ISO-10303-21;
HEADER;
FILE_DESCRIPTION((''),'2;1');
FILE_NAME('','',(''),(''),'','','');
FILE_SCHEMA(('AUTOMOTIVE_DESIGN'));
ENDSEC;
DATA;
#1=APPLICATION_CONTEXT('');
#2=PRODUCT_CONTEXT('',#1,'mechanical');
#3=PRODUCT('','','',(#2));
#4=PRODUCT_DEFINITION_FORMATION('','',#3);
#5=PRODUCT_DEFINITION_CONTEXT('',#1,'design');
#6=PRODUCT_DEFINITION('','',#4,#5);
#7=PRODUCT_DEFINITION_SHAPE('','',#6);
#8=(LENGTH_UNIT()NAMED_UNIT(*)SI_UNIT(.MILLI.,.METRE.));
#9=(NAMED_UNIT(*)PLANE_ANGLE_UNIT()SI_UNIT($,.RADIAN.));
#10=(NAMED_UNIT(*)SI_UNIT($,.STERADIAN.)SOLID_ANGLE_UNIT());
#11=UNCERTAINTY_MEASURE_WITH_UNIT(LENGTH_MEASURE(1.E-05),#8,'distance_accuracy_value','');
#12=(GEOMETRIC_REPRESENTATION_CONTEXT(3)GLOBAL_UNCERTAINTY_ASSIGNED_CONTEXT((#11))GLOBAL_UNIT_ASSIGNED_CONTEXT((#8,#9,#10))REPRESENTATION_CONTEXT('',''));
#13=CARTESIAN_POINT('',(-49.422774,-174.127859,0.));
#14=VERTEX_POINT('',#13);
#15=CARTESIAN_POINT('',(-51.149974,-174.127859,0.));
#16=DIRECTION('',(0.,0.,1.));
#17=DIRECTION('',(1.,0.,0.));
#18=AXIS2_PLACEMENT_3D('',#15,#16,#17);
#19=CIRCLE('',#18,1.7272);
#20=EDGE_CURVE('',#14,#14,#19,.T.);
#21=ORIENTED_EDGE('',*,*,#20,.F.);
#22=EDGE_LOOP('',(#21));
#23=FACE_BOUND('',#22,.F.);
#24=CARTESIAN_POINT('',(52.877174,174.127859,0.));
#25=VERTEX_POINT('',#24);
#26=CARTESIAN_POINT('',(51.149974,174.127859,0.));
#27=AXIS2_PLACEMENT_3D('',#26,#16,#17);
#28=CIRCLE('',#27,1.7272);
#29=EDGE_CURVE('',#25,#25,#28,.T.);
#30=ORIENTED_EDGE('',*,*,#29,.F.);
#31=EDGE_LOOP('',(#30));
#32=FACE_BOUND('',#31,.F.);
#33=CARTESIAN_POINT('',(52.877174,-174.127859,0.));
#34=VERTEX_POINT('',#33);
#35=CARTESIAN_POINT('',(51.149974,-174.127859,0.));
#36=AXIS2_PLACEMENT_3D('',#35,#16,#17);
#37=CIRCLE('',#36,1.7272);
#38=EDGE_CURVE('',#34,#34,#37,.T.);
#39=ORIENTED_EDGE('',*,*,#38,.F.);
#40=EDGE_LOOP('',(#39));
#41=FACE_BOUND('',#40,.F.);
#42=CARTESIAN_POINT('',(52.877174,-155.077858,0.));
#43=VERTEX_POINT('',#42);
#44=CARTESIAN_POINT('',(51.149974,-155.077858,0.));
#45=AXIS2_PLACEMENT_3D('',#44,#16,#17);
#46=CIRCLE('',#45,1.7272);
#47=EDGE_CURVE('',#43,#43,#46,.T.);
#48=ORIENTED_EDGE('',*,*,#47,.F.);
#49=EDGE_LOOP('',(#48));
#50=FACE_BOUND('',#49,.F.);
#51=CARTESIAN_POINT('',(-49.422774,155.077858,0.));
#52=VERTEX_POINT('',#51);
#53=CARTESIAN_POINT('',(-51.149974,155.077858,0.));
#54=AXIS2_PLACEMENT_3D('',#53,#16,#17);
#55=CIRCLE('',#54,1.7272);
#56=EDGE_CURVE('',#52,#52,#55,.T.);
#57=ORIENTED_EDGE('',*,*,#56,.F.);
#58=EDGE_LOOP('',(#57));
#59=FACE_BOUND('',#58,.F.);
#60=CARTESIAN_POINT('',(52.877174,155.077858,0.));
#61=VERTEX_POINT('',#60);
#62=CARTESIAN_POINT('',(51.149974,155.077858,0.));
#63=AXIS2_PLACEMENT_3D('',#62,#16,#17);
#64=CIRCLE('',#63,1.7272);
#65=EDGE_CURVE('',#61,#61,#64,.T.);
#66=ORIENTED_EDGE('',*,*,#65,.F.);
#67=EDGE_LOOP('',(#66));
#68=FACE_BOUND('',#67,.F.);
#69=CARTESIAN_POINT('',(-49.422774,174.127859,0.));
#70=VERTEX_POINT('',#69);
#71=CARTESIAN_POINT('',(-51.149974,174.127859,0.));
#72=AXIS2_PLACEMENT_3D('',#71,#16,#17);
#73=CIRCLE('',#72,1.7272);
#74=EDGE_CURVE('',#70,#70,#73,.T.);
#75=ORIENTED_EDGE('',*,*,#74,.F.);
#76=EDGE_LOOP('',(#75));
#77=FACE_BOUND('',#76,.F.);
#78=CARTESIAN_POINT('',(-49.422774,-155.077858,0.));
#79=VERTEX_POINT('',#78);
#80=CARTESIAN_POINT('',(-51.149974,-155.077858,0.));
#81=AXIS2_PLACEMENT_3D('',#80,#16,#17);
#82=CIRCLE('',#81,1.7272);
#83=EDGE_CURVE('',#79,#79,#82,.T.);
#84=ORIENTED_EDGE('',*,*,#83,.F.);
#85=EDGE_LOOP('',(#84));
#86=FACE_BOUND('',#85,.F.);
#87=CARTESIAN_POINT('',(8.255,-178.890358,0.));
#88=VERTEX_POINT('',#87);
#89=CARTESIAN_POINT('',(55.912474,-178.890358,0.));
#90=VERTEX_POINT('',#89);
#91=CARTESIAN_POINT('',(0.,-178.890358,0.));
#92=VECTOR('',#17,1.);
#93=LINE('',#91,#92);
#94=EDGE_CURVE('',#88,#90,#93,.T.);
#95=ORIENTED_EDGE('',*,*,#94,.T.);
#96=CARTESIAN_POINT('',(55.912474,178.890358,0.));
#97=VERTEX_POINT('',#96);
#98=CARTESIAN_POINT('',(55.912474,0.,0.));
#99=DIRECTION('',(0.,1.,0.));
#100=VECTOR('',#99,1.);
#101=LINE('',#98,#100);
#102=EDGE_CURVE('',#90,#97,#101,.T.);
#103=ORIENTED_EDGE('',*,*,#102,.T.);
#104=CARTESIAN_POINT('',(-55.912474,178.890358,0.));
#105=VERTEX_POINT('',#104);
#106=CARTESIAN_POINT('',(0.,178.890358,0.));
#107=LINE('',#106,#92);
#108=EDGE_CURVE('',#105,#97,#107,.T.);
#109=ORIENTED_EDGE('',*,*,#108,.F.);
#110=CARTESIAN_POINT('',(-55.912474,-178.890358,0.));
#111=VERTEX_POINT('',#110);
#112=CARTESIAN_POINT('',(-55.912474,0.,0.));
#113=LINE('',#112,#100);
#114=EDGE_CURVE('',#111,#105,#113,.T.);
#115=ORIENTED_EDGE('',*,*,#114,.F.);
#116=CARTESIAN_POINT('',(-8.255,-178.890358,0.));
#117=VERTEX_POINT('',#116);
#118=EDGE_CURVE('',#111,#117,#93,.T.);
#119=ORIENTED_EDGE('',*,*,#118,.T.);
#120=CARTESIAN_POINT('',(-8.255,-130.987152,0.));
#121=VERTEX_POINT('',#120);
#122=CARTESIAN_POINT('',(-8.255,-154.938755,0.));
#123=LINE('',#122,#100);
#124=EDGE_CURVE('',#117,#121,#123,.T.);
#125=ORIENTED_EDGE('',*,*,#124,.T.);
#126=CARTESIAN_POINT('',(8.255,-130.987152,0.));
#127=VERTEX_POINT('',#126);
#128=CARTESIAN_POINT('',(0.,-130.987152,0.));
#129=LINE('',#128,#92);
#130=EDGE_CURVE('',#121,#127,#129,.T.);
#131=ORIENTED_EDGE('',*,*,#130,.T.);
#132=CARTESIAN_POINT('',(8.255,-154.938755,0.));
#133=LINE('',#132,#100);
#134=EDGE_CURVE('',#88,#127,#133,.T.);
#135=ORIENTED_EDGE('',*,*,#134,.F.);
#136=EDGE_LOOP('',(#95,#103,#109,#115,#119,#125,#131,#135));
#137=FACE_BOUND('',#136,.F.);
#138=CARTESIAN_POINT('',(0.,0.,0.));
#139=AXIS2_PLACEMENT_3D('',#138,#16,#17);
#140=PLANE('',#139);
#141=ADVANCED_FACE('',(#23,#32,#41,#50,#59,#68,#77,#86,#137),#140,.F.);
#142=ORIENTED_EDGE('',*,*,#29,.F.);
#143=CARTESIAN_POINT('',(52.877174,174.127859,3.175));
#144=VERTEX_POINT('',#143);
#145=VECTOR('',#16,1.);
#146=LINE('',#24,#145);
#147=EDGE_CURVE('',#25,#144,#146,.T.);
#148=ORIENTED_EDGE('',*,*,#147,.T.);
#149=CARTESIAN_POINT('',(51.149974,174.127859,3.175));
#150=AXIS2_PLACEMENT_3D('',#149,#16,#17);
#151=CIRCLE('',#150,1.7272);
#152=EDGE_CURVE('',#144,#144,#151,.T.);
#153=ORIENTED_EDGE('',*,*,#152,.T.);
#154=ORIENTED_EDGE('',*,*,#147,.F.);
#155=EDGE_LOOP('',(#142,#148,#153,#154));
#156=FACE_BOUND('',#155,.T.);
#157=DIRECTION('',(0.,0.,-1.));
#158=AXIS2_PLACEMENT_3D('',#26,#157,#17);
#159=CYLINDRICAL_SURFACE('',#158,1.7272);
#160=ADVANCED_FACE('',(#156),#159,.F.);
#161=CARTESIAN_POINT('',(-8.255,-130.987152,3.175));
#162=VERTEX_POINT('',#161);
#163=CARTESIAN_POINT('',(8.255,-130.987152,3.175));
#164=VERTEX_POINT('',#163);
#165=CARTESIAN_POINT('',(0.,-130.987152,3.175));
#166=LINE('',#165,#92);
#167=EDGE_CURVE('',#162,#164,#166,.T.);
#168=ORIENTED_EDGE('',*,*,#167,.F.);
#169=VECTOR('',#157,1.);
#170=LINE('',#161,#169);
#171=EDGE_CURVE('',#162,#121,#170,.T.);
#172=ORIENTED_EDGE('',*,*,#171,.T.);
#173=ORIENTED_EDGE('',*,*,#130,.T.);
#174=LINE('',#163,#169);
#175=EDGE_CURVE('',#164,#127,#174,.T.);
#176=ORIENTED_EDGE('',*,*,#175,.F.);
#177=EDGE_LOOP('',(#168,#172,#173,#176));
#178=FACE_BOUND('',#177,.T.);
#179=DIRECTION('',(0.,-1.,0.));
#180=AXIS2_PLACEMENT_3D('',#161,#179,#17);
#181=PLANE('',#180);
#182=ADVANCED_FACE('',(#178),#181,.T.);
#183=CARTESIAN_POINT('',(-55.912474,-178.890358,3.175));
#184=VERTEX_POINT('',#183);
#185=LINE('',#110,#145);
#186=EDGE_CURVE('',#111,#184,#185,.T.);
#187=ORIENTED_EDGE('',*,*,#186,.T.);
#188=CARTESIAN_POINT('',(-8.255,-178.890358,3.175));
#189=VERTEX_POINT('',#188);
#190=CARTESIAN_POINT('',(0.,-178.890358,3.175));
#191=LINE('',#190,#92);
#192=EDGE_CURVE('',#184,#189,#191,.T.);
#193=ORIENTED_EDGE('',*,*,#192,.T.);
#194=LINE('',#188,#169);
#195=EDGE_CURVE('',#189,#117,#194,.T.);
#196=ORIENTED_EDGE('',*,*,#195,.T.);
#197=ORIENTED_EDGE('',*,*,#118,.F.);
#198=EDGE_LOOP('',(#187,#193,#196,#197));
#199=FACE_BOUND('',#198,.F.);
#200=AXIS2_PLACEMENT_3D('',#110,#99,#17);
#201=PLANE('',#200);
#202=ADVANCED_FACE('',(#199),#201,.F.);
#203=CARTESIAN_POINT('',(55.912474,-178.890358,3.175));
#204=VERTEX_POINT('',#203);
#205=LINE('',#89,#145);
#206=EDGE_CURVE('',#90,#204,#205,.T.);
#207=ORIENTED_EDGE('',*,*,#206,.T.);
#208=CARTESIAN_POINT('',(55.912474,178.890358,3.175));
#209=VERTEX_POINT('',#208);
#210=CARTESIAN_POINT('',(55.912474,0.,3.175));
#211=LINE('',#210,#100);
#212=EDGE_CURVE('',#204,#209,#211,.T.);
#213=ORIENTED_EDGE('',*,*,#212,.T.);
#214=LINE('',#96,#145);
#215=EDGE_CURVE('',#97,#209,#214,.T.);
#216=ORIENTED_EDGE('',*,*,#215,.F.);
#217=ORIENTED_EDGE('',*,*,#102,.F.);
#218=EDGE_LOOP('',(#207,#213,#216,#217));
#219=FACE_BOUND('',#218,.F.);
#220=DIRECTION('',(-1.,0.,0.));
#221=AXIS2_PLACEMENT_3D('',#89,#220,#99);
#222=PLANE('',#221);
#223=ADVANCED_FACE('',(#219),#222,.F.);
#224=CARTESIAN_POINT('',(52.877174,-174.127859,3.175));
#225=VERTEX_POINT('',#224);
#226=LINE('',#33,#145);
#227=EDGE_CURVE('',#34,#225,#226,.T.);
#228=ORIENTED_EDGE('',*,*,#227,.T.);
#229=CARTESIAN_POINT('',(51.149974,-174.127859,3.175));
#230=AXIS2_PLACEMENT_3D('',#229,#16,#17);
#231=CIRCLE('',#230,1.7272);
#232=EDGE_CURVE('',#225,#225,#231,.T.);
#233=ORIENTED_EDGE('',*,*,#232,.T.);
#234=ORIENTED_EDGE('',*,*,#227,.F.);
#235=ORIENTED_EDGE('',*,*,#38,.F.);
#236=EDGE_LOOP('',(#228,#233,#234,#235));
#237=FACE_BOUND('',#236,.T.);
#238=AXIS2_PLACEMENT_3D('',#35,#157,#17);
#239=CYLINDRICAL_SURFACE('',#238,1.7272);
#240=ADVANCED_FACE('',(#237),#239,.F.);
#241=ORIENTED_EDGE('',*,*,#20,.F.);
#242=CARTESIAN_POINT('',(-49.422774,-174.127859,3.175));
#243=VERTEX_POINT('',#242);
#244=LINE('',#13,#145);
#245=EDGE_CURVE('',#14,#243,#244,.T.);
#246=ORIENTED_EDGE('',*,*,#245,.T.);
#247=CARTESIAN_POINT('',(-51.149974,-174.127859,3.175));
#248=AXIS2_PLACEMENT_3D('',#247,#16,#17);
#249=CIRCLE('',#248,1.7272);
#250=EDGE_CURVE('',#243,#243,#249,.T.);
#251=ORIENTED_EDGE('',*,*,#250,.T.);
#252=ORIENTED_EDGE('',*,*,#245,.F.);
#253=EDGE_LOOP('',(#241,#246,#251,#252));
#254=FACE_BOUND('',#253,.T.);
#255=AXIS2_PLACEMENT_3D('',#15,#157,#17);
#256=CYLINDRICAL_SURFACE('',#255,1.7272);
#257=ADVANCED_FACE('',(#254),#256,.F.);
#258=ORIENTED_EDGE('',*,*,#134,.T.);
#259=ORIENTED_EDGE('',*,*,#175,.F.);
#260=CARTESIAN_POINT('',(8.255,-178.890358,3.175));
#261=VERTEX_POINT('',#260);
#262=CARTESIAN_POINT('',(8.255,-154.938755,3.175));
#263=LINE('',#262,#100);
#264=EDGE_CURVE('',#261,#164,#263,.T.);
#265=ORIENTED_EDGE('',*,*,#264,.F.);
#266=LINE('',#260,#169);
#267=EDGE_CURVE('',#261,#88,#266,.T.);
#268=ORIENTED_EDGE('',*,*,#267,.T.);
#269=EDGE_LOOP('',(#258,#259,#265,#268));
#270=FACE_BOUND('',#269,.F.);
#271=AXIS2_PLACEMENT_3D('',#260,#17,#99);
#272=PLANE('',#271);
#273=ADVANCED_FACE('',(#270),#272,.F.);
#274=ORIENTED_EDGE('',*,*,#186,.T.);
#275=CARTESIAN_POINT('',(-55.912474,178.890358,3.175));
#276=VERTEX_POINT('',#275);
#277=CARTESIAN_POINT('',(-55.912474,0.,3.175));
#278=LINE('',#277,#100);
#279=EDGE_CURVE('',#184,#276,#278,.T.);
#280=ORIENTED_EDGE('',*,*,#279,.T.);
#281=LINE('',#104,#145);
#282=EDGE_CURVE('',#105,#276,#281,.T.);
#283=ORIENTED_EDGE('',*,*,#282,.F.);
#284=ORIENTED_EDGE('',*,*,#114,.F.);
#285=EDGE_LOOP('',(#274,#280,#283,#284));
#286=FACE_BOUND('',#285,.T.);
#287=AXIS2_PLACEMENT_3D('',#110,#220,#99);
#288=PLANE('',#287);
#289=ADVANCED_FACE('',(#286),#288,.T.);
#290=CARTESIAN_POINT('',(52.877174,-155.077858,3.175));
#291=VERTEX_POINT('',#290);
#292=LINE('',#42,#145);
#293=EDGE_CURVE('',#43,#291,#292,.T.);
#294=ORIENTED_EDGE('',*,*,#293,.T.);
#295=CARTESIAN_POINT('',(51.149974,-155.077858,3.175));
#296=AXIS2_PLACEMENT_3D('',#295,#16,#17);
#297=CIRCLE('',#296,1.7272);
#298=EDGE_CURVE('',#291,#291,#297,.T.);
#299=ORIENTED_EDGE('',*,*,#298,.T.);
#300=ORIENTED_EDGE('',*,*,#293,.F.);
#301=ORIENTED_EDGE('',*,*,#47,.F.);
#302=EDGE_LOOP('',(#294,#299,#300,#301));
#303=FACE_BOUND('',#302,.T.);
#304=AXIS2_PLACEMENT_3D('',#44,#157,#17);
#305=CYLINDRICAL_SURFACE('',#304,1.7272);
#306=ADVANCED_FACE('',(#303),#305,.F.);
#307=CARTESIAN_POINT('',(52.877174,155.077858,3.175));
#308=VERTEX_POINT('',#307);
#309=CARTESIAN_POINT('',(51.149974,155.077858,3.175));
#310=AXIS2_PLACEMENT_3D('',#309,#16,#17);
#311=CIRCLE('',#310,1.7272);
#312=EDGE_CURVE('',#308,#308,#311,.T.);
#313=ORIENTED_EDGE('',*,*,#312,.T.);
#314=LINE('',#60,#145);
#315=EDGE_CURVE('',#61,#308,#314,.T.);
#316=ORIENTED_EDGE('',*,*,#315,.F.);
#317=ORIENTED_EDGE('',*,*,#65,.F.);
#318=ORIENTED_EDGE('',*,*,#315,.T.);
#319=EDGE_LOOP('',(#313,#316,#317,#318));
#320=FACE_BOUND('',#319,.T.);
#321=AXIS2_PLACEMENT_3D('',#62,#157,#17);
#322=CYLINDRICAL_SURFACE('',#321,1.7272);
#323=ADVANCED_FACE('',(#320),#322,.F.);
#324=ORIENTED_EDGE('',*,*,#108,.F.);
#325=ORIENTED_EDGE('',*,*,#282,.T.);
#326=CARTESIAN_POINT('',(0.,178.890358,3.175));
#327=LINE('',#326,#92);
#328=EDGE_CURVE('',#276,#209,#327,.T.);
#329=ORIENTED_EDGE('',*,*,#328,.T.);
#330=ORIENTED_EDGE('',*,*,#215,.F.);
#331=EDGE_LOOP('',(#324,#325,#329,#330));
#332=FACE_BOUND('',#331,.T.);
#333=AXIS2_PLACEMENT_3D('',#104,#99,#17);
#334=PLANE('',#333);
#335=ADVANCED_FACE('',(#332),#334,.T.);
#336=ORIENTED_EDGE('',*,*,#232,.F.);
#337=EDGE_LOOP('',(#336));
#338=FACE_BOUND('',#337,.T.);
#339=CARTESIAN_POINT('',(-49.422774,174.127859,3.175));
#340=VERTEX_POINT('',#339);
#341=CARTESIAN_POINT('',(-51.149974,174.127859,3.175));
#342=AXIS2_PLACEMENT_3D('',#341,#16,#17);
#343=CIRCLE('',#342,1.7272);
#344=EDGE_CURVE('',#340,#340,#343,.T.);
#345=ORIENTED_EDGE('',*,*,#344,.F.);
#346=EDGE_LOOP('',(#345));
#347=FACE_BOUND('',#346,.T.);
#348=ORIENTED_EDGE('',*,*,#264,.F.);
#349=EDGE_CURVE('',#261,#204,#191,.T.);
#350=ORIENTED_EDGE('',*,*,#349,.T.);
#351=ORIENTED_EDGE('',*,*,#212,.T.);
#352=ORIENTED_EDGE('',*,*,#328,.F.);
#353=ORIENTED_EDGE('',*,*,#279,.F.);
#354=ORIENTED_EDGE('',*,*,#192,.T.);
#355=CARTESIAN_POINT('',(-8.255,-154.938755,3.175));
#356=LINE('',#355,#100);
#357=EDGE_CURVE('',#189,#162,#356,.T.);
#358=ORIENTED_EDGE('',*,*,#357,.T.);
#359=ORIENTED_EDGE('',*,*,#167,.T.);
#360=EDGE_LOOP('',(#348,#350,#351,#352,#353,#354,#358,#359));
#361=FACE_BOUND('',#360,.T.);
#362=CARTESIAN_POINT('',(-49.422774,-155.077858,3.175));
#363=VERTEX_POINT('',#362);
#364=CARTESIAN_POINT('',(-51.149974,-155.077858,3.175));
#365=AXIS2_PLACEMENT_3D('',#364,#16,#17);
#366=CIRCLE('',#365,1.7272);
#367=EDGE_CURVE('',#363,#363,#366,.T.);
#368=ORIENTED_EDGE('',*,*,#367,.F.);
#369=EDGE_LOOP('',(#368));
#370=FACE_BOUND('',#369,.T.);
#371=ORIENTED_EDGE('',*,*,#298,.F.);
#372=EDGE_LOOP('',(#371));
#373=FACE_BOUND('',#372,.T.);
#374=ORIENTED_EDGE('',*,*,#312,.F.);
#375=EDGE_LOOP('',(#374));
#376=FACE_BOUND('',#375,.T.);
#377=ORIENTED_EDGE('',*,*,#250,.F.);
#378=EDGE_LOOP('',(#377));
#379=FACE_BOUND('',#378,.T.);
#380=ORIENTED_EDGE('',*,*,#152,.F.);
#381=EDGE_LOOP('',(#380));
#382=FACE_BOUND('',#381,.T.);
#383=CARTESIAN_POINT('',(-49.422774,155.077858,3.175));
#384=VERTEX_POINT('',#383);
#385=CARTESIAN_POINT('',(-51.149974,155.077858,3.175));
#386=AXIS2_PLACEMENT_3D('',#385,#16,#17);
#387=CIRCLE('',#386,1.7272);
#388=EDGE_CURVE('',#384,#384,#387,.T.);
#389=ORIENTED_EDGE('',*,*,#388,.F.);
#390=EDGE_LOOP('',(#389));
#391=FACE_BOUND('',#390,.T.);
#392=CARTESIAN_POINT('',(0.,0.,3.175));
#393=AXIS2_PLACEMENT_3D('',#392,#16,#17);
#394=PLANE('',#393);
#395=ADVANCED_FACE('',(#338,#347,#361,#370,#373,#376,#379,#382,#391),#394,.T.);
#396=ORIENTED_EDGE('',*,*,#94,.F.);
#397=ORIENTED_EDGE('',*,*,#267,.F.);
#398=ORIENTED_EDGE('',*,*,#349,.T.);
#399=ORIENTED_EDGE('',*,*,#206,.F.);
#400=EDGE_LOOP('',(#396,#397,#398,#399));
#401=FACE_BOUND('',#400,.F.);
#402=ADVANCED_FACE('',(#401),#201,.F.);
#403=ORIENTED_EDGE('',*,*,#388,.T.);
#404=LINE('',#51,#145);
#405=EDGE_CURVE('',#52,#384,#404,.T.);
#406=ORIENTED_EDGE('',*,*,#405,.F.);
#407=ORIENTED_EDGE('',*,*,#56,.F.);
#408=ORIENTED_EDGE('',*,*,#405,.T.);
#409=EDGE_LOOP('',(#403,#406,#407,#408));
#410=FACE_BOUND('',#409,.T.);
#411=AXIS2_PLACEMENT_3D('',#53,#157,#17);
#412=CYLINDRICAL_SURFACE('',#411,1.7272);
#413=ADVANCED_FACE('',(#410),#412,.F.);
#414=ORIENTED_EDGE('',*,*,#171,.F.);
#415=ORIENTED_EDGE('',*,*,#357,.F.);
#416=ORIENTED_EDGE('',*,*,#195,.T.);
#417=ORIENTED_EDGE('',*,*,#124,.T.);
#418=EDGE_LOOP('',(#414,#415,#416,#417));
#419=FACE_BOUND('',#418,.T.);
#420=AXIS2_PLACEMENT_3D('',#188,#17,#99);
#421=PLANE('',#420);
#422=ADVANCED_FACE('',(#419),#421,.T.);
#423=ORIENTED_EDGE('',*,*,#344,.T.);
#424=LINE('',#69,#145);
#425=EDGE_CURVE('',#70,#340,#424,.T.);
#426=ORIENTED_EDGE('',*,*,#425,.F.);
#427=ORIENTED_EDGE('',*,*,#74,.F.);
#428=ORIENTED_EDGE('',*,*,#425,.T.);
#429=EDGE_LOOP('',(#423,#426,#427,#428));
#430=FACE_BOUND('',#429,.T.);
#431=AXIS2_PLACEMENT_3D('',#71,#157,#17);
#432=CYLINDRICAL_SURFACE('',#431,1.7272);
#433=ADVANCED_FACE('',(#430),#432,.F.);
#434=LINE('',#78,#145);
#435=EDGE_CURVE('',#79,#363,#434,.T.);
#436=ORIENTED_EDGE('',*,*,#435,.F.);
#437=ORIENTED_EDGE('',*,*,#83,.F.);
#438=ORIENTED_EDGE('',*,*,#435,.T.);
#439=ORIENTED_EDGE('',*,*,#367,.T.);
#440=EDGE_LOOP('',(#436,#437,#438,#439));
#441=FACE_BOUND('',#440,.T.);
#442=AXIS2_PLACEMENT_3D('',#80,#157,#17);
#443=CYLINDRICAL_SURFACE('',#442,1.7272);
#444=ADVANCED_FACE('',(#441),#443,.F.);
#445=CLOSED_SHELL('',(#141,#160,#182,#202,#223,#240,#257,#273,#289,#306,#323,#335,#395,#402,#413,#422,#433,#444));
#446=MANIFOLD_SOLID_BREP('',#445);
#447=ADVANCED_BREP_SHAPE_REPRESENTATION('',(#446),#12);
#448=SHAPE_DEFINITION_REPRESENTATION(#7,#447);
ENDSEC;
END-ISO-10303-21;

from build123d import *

# Parameters (mm, degrees)
F0_W     = 111.8249478
F0_H     = 357.780717
F0_R     = 1.7272
F1_DEPTH = 3.175
F2_W     = 16.51
F2_H     = 47.9032060428
F3_DEPTH = 3.175


with BuildPart() as f1:
    # F0 (on Top) → F1 (new body)
    with BuildSketch(Plane.XY):
        Rectangle(F0_W, F0_H)
        with Locations((-51.1499739, -174.1278585)):
            Circle(F0_R, mode=Mode.SUBTRACT)
        with Locations((-51.1499739, -155.0778585)):
            Circle(F0_R, mode=Mode.SUBTRACT)
        with Locations((51.1499739, -174.1278585)):
            Circle(F0_R, mode=Mode.SUBTRACT)
        with Locations((51.1499739, -155.0778585)):
            Circle(F0_R, mode=Mode.SUBTRACT)
        with Locations((-51.1499739, 155.0778585)):
            Circle(F0_R, mode=Mode.SUBTRACT)
        with Locations((-51.1499739, 174.1278585)):
            Circle(F0_R, mode=Mode.SUBTRACT)
        with Locations((51.1499739, 155.0778585)):
            Circle(F0_R, mode=Mode.SUBTRACT)
        with Locations((51.1499739, 174.1278585)):
            Circle(F0_R, mode=Mode.SUBTRACT)
    extrude(amount=F1_DEPTH)

    # F2 (on face) → F3 (cut, through all)
    with BuildSketch(Plane.XY.offset(3.175)):
        with Locations((0, -154.9387554786)):
            Rectangle(F2_W, F2_H)
    extrude(amount=-F3_DEPTH, mode=Mode.SUBTRACT)


solid = f1.part
